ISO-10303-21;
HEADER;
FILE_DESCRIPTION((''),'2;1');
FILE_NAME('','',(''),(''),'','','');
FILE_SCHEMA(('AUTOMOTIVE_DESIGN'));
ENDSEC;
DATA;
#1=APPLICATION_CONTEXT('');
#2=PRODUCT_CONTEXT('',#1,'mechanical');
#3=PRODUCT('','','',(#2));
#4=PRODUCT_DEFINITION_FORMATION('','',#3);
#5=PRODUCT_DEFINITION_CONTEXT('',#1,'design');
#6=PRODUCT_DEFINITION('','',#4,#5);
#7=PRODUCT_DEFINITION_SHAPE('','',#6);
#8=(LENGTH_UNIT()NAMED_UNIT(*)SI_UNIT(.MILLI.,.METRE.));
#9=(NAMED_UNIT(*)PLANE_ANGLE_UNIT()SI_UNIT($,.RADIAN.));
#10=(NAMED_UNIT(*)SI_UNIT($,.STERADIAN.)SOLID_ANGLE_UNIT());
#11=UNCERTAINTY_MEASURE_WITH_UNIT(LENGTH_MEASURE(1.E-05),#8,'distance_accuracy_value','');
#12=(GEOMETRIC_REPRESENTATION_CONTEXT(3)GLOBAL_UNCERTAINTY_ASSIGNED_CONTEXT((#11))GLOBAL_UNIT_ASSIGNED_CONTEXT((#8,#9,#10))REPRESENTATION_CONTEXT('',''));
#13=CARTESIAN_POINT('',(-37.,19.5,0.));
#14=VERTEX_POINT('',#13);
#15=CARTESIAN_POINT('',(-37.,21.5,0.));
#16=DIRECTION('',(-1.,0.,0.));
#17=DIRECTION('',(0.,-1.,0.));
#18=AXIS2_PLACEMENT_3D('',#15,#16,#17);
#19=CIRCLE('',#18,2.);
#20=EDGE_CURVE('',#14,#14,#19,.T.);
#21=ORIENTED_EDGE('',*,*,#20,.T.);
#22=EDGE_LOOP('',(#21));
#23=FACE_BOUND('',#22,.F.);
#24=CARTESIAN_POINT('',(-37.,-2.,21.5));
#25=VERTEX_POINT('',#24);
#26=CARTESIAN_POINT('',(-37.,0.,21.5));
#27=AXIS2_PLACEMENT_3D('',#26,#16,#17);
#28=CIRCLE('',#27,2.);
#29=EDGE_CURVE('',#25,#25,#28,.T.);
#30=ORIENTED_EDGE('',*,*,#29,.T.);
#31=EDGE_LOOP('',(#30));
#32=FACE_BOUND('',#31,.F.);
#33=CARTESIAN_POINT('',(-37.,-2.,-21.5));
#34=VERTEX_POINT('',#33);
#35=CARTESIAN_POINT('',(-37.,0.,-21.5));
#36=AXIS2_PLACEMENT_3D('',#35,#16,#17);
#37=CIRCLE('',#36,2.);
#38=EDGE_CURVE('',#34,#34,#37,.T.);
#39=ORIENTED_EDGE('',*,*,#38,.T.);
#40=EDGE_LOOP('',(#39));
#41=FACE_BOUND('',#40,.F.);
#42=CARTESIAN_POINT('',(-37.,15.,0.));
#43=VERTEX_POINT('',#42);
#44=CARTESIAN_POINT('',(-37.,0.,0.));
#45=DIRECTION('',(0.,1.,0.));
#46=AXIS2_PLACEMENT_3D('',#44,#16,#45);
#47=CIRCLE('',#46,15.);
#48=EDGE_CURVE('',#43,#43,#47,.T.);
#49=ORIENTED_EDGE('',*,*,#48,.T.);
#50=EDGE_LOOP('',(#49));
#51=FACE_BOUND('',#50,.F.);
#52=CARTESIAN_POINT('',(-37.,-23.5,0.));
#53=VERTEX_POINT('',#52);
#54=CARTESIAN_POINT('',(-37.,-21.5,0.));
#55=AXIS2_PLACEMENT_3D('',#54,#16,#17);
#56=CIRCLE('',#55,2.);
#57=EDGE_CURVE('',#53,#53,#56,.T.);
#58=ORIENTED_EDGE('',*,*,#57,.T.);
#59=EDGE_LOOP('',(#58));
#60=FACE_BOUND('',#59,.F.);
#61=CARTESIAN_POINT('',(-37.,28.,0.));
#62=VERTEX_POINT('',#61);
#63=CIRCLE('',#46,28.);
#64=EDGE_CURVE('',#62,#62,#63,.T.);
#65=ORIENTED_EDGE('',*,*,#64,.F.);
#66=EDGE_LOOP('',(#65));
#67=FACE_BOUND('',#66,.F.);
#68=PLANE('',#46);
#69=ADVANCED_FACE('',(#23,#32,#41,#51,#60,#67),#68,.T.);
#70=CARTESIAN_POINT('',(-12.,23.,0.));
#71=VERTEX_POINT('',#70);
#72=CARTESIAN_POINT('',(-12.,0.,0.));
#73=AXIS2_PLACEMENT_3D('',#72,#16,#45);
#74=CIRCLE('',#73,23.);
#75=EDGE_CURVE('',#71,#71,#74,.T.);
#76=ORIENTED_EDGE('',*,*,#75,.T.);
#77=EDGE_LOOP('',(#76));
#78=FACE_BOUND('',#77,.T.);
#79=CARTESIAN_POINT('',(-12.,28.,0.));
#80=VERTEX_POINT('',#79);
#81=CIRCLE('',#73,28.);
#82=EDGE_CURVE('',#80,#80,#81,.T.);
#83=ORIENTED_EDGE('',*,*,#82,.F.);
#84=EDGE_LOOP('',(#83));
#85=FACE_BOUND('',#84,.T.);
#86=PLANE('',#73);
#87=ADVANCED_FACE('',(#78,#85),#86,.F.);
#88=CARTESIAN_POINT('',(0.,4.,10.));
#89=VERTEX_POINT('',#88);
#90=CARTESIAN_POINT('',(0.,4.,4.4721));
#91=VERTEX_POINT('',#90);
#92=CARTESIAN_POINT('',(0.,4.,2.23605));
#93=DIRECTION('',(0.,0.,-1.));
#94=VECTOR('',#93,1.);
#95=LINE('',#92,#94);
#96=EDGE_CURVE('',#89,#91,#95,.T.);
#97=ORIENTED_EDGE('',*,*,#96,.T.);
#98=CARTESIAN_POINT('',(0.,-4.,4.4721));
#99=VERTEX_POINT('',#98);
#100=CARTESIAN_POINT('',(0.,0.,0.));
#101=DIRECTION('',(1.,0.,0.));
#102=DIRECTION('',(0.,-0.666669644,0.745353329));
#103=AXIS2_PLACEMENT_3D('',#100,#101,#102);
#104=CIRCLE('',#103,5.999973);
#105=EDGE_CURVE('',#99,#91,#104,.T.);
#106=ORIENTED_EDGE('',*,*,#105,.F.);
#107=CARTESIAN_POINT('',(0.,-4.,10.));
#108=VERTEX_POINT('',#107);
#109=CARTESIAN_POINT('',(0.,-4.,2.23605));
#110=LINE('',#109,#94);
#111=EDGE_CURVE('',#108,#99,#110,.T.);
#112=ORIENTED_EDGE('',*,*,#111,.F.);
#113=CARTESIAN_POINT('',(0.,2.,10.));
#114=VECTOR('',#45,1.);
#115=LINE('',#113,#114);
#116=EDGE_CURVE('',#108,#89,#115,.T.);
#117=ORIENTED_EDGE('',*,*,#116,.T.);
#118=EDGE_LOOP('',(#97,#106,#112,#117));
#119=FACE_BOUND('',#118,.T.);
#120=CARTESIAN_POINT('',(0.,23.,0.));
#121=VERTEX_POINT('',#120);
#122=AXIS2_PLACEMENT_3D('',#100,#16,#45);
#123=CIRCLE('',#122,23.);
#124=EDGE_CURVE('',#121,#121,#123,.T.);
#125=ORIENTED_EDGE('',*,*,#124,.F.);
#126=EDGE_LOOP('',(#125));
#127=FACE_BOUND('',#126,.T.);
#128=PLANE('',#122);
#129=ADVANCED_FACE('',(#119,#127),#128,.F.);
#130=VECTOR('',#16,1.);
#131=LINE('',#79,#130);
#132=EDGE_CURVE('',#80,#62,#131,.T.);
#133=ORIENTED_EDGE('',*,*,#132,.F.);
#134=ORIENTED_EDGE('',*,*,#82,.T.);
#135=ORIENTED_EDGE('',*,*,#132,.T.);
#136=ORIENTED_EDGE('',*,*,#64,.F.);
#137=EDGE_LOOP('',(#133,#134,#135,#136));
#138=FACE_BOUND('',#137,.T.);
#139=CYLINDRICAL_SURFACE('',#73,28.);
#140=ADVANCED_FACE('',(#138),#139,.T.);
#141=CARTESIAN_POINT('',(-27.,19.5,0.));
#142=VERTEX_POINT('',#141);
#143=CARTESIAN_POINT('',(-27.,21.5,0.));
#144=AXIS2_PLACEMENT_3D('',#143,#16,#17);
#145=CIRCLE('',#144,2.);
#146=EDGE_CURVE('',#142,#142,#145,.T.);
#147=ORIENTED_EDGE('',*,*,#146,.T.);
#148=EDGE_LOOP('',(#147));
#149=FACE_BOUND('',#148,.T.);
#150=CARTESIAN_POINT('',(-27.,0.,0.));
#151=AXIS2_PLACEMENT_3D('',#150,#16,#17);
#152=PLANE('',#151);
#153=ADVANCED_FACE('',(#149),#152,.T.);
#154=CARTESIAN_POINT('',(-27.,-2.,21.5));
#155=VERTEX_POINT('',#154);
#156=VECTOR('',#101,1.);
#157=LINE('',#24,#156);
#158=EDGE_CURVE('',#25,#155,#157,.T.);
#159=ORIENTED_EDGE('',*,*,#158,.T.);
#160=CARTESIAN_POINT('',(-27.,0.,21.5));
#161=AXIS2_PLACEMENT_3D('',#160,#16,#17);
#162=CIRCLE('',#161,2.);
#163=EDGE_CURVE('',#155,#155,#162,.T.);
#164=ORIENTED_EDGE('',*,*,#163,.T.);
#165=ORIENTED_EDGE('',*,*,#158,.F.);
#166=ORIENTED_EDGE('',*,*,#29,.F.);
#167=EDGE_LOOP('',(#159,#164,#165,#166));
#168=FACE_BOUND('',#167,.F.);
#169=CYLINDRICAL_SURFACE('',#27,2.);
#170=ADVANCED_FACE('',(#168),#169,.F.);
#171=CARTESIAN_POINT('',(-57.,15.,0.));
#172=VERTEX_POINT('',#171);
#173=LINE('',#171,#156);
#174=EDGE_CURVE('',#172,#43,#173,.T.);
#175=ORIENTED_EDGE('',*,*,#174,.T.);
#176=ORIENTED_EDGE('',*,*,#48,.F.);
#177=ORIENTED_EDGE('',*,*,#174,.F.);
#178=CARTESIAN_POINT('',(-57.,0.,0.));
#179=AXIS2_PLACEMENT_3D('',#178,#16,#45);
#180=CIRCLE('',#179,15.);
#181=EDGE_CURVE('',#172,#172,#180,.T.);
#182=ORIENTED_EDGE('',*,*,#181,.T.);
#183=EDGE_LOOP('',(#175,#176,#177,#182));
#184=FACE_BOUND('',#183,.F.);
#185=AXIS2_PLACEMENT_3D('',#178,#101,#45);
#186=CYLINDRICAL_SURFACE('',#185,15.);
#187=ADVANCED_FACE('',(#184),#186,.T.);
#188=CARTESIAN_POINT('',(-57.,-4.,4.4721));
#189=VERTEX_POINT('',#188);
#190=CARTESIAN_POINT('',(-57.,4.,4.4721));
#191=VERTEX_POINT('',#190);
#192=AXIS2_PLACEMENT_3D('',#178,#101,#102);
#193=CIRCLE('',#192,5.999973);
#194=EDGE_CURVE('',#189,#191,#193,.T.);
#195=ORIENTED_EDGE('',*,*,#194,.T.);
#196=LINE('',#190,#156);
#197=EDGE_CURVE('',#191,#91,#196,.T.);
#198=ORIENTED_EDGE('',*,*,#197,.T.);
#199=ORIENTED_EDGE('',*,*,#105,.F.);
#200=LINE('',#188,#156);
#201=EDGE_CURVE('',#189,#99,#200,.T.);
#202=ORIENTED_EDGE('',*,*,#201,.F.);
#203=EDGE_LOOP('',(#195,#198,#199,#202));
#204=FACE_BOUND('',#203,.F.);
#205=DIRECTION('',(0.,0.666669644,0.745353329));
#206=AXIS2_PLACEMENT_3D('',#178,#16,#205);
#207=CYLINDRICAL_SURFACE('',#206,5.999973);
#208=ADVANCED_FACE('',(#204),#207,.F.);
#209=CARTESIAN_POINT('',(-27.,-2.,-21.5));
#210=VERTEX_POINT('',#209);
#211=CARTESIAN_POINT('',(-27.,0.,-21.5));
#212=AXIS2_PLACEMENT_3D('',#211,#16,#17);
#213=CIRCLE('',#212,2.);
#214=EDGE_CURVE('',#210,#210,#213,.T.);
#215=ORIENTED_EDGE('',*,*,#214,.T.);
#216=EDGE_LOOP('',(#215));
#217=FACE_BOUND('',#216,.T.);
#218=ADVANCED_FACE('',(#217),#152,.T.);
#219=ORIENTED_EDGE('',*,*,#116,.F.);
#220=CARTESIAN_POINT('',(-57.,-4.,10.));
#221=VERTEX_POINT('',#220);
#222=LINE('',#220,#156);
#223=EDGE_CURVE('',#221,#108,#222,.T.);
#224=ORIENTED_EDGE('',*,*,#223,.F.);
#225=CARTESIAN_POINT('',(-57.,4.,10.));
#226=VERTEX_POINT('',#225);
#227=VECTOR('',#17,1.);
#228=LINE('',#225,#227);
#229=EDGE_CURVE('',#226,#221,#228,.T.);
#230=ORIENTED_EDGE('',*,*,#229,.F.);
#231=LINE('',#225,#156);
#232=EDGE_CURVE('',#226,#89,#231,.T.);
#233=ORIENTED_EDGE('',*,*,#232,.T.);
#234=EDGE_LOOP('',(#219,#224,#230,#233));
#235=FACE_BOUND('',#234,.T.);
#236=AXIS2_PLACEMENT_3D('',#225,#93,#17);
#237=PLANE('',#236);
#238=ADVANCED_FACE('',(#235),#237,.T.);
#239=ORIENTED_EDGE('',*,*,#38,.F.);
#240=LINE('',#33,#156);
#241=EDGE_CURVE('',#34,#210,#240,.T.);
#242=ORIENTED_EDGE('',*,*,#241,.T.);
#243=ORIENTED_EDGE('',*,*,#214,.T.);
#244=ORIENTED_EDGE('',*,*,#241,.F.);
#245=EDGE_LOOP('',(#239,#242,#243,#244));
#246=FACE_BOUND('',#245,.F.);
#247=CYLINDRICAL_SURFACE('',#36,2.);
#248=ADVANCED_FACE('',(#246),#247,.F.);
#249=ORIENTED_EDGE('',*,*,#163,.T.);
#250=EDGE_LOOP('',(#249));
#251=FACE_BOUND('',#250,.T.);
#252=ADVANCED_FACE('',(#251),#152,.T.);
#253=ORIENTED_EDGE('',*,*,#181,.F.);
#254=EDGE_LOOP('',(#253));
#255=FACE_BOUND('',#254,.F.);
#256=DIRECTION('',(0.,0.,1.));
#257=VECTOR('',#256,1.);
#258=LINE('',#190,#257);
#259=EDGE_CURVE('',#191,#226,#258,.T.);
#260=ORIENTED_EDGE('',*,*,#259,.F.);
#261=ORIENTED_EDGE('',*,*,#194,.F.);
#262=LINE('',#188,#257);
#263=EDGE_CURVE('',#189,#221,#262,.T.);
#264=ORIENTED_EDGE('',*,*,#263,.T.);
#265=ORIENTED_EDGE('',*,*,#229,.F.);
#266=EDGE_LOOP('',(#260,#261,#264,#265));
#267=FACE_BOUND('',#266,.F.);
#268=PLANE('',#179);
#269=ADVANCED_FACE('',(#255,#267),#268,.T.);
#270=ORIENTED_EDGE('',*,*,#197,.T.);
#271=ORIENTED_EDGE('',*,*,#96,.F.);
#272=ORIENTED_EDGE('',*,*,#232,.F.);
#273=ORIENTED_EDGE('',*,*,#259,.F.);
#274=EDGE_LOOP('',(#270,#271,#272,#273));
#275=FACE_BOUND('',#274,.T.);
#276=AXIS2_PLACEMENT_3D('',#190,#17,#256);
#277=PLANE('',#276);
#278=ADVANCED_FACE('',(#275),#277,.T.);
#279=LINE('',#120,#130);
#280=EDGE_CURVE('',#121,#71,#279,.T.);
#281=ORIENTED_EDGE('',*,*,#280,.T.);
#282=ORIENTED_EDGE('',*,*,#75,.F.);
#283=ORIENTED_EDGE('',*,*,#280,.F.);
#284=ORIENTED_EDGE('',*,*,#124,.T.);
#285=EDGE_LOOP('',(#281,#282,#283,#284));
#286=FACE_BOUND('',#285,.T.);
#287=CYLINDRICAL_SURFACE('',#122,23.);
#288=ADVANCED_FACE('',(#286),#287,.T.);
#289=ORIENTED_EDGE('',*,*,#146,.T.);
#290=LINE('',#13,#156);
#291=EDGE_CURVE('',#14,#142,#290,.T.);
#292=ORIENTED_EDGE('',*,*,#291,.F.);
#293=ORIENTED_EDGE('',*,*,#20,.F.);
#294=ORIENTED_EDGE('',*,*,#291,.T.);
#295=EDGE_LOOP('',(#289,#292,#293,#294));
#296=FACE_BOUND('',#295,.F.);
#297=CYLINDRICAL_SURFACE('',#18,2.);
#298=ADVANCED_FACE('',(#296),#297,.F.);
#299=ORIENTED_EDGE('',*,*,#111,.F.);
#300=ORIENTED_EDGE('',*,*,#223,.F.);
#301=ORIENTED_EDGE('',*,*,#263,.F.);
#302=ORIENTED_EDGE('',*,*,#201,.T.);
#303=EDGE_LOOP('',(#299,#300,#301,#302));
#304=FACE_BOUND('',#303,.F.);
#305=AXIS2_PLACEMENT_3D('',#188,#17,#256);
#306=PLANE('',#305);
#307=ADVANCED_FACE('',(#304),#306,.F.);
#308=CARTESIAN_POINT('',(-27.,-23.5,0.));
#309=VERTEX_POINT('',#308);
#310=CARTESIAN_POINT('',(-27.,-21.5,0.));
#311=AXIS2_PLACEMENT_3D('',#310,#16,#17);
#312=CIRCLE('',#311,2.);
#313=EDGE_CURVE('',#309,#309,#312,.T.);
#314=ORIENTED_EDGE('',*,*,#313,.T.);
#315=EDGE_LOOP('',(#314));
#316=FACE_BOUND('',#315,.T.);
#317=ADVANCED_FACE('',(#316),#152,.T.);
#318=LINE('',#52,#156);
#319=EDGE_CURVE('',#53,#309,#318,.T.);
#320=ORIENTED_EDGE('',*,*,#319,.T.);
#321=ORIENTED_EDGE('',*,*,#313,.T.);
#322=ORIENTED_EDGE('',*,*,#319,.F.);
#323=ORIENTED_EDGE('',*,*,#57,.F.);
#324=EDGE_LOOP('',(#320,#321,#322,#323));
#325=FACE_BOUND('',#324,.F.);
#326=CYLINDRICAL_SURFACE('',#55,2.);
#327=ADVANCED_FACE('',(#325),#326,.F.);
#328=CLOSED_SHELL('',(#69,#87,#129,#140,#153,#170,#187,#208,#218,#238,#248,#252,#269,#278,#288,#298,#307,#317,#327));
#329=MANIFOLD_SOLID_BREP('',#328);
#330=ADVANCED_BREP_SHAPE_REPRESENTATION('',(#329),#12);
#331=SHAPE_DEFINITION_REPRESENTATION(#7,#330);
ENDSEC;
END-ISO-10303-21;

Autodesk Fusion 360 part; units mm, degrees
sketch "Sketch1" plane through (0, 0, 0) normal (0, 0, 1) x (1, 0, 0)
  line L0 (0, 0) -> (0, 23)
  line L1 (0, 23) -> (-12, 23)
  line L2 (-12, 23) -> (-12, 28)
  line L3 (-12, 28) -> (-37, 28)
  line L4 (0, 0) -> (-57, 0)
  line L5 (-57, 0) -> (-57, 15)
  line L6 (-57, 15) -> (-37, 15)
  line L7 (-37, 15) -> (-37, 28)
  dimension "d1" = 23
  dimension "d2" = 12
  dimension "d3" = 5
  dimension "d4" = 25
  dimension "d6" = 57
  dimension "d7" = 15
revolve "Revolve1" add sketch "Sketch1" angle 360 about axis through (0, 0, 0) along (-1, 0, 0)
sketch "Sketch2" plane through (-57, 0, 0) normal (-1, 0, 0) x (0, -1, 0)
  circle A0 centre (0, 0) radius 15
  line L0 (0, 0) -> (0, -6)
  line L1 (-4, 4.4721) -> (-4, 10)
  line L2 (4, 4.4721) -> (4, 10)
  line L3 (-4, 10) -> (4, 10)
  arc A1 (-4, 4.4721) -> (4, 4.4721) centre (0, 0) ccw
  dimension "d9" = 12
extrude "Extrude1" cut sketch "Sketch2" against normal through all contours L1 L2 L3 A1
sketch "Sketch3" plane through (-37, 0, 0) normal (-1, 0, 0) x (0, -1, 0)
  circle A0 centre (0, 0) radius 15
  circle A1 centre (0, 0) radius 28
  circle A2 centre (0, 0) radius 21.5 construction
  line L0 (0, 0) -> (0, 21.5) construction
  line L1 (0, 0) -> (21.5, 0) construction
  line L2 (0, 0) -> (0, -21.5) construction
  line L3 (0, 0) -> (-21.5, 0) construction
  circle A3 centre (0, 21.5) radius 2
  circle A4 centre (-21.5, 0) radius 2
  circle A5 centre (0, -21.5) radius 2
  circle A6 centre (21.5, 0) radius 2
  dimension "d18" = 43
  dimension "d19" = 4
  dimension "d21" = 360
extrude "Extrude2" cut sketch "Sketch3" against normal blind 10 contours A3 | A4 | A5 | A6
